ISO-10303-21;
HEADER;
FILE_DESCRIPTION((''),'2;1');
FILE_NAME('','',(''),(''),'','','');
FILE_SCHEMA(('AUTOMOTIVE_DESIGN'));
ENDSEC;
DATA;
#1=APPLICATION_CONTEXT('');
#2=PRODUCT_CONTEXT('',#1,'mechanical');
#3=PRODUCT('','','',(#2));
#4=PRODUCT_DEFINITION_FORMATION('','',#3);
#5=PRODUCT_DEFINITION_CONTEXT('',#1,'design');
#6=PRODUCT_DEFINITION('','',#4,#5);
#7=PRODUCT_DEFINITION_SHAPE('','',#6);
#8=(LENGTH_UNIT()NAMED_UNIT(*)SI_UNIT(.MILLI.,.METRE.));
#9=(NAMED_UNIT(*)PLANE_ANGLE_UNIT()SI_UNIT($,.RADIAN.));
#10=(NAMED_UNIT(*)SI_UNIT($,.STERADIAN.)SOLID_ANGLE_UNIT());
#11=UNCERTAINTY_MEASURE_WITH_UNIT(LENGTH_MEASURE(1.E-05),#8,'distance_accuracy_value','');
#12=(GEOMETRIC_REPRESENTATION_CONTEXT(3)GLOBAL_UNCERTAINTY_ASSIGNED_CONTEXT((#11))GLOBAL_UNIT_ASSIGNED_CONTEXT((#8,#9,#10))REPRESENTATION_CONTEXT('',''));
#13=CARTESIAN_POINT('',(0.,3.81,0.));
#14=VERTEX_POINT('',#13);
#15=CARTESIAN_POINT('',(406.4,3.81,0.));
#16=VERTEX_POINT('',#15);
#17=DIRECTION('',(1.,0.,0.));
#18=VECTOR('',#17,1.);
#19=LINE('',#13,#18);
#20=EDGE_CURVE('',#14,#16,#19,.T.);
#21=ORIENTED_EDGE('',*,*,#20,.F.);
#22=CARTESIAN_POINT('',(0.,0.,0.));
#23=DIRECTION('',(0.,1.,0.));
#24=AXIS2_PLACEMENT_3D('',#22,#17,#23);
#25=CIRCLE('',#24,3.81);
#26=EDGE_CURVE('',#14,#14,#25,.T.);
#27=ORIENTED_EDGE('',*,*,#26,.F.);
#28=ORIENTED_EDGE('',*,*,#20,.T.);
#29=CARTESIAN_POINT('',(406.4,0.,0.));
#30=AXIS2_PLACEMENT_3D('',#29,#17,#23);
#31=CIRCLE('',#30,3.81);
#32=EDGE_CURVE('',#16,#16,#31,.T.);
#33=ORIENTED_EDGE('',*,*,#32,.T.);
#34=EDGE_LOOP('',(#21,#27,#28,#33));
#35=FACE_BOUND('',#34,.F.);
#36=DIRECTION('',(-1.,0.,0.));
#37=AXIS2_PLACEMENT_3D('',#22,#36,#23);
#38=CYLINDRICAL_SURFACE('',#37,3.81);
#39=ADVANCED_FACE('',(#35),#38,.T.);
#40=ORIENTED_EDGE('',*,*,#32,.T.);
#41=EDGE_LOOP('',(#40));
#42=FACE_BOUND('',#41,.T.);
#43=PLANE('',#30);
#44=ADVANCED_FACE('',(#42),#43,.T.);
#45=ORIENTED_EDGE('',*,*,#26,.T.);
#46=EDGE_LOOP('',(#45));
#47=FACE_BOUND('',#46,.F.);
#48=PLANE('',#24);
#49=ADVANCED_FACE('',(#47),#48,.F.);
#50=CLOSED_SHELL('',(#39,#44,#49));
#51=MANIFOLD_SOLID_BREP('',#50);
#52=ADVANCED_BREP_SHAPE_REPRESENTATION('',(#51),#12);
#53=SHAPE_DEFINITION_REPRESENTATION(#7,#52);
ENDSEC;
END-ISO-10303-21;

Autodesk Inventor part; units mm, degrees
ref_plane "YZ Plane" through (0, 0, 0) normal (1, 0, 0) x (0, 1, 0)
ref_plane "XZ Plane" through (0, 0, 0) normal (0, 1, 0) x (-1, 0, 0)
ref_plane "XY Plane" through (0, 0, 0) normal (0, 0, 1) x (1, 0, 0)
sketch "Sketch1" plane through (0, 0, 0) normal (1, 0, 0) x (0, 1, 0)
  circle A0 centre (0, 0) radius 3.81
  dimension "d0" = 7.62
extrude "Extrusion1" add sketch "Sketch1" along normal blind 406.4
properties part number "barre latérales" material "PAEK Plastic"
